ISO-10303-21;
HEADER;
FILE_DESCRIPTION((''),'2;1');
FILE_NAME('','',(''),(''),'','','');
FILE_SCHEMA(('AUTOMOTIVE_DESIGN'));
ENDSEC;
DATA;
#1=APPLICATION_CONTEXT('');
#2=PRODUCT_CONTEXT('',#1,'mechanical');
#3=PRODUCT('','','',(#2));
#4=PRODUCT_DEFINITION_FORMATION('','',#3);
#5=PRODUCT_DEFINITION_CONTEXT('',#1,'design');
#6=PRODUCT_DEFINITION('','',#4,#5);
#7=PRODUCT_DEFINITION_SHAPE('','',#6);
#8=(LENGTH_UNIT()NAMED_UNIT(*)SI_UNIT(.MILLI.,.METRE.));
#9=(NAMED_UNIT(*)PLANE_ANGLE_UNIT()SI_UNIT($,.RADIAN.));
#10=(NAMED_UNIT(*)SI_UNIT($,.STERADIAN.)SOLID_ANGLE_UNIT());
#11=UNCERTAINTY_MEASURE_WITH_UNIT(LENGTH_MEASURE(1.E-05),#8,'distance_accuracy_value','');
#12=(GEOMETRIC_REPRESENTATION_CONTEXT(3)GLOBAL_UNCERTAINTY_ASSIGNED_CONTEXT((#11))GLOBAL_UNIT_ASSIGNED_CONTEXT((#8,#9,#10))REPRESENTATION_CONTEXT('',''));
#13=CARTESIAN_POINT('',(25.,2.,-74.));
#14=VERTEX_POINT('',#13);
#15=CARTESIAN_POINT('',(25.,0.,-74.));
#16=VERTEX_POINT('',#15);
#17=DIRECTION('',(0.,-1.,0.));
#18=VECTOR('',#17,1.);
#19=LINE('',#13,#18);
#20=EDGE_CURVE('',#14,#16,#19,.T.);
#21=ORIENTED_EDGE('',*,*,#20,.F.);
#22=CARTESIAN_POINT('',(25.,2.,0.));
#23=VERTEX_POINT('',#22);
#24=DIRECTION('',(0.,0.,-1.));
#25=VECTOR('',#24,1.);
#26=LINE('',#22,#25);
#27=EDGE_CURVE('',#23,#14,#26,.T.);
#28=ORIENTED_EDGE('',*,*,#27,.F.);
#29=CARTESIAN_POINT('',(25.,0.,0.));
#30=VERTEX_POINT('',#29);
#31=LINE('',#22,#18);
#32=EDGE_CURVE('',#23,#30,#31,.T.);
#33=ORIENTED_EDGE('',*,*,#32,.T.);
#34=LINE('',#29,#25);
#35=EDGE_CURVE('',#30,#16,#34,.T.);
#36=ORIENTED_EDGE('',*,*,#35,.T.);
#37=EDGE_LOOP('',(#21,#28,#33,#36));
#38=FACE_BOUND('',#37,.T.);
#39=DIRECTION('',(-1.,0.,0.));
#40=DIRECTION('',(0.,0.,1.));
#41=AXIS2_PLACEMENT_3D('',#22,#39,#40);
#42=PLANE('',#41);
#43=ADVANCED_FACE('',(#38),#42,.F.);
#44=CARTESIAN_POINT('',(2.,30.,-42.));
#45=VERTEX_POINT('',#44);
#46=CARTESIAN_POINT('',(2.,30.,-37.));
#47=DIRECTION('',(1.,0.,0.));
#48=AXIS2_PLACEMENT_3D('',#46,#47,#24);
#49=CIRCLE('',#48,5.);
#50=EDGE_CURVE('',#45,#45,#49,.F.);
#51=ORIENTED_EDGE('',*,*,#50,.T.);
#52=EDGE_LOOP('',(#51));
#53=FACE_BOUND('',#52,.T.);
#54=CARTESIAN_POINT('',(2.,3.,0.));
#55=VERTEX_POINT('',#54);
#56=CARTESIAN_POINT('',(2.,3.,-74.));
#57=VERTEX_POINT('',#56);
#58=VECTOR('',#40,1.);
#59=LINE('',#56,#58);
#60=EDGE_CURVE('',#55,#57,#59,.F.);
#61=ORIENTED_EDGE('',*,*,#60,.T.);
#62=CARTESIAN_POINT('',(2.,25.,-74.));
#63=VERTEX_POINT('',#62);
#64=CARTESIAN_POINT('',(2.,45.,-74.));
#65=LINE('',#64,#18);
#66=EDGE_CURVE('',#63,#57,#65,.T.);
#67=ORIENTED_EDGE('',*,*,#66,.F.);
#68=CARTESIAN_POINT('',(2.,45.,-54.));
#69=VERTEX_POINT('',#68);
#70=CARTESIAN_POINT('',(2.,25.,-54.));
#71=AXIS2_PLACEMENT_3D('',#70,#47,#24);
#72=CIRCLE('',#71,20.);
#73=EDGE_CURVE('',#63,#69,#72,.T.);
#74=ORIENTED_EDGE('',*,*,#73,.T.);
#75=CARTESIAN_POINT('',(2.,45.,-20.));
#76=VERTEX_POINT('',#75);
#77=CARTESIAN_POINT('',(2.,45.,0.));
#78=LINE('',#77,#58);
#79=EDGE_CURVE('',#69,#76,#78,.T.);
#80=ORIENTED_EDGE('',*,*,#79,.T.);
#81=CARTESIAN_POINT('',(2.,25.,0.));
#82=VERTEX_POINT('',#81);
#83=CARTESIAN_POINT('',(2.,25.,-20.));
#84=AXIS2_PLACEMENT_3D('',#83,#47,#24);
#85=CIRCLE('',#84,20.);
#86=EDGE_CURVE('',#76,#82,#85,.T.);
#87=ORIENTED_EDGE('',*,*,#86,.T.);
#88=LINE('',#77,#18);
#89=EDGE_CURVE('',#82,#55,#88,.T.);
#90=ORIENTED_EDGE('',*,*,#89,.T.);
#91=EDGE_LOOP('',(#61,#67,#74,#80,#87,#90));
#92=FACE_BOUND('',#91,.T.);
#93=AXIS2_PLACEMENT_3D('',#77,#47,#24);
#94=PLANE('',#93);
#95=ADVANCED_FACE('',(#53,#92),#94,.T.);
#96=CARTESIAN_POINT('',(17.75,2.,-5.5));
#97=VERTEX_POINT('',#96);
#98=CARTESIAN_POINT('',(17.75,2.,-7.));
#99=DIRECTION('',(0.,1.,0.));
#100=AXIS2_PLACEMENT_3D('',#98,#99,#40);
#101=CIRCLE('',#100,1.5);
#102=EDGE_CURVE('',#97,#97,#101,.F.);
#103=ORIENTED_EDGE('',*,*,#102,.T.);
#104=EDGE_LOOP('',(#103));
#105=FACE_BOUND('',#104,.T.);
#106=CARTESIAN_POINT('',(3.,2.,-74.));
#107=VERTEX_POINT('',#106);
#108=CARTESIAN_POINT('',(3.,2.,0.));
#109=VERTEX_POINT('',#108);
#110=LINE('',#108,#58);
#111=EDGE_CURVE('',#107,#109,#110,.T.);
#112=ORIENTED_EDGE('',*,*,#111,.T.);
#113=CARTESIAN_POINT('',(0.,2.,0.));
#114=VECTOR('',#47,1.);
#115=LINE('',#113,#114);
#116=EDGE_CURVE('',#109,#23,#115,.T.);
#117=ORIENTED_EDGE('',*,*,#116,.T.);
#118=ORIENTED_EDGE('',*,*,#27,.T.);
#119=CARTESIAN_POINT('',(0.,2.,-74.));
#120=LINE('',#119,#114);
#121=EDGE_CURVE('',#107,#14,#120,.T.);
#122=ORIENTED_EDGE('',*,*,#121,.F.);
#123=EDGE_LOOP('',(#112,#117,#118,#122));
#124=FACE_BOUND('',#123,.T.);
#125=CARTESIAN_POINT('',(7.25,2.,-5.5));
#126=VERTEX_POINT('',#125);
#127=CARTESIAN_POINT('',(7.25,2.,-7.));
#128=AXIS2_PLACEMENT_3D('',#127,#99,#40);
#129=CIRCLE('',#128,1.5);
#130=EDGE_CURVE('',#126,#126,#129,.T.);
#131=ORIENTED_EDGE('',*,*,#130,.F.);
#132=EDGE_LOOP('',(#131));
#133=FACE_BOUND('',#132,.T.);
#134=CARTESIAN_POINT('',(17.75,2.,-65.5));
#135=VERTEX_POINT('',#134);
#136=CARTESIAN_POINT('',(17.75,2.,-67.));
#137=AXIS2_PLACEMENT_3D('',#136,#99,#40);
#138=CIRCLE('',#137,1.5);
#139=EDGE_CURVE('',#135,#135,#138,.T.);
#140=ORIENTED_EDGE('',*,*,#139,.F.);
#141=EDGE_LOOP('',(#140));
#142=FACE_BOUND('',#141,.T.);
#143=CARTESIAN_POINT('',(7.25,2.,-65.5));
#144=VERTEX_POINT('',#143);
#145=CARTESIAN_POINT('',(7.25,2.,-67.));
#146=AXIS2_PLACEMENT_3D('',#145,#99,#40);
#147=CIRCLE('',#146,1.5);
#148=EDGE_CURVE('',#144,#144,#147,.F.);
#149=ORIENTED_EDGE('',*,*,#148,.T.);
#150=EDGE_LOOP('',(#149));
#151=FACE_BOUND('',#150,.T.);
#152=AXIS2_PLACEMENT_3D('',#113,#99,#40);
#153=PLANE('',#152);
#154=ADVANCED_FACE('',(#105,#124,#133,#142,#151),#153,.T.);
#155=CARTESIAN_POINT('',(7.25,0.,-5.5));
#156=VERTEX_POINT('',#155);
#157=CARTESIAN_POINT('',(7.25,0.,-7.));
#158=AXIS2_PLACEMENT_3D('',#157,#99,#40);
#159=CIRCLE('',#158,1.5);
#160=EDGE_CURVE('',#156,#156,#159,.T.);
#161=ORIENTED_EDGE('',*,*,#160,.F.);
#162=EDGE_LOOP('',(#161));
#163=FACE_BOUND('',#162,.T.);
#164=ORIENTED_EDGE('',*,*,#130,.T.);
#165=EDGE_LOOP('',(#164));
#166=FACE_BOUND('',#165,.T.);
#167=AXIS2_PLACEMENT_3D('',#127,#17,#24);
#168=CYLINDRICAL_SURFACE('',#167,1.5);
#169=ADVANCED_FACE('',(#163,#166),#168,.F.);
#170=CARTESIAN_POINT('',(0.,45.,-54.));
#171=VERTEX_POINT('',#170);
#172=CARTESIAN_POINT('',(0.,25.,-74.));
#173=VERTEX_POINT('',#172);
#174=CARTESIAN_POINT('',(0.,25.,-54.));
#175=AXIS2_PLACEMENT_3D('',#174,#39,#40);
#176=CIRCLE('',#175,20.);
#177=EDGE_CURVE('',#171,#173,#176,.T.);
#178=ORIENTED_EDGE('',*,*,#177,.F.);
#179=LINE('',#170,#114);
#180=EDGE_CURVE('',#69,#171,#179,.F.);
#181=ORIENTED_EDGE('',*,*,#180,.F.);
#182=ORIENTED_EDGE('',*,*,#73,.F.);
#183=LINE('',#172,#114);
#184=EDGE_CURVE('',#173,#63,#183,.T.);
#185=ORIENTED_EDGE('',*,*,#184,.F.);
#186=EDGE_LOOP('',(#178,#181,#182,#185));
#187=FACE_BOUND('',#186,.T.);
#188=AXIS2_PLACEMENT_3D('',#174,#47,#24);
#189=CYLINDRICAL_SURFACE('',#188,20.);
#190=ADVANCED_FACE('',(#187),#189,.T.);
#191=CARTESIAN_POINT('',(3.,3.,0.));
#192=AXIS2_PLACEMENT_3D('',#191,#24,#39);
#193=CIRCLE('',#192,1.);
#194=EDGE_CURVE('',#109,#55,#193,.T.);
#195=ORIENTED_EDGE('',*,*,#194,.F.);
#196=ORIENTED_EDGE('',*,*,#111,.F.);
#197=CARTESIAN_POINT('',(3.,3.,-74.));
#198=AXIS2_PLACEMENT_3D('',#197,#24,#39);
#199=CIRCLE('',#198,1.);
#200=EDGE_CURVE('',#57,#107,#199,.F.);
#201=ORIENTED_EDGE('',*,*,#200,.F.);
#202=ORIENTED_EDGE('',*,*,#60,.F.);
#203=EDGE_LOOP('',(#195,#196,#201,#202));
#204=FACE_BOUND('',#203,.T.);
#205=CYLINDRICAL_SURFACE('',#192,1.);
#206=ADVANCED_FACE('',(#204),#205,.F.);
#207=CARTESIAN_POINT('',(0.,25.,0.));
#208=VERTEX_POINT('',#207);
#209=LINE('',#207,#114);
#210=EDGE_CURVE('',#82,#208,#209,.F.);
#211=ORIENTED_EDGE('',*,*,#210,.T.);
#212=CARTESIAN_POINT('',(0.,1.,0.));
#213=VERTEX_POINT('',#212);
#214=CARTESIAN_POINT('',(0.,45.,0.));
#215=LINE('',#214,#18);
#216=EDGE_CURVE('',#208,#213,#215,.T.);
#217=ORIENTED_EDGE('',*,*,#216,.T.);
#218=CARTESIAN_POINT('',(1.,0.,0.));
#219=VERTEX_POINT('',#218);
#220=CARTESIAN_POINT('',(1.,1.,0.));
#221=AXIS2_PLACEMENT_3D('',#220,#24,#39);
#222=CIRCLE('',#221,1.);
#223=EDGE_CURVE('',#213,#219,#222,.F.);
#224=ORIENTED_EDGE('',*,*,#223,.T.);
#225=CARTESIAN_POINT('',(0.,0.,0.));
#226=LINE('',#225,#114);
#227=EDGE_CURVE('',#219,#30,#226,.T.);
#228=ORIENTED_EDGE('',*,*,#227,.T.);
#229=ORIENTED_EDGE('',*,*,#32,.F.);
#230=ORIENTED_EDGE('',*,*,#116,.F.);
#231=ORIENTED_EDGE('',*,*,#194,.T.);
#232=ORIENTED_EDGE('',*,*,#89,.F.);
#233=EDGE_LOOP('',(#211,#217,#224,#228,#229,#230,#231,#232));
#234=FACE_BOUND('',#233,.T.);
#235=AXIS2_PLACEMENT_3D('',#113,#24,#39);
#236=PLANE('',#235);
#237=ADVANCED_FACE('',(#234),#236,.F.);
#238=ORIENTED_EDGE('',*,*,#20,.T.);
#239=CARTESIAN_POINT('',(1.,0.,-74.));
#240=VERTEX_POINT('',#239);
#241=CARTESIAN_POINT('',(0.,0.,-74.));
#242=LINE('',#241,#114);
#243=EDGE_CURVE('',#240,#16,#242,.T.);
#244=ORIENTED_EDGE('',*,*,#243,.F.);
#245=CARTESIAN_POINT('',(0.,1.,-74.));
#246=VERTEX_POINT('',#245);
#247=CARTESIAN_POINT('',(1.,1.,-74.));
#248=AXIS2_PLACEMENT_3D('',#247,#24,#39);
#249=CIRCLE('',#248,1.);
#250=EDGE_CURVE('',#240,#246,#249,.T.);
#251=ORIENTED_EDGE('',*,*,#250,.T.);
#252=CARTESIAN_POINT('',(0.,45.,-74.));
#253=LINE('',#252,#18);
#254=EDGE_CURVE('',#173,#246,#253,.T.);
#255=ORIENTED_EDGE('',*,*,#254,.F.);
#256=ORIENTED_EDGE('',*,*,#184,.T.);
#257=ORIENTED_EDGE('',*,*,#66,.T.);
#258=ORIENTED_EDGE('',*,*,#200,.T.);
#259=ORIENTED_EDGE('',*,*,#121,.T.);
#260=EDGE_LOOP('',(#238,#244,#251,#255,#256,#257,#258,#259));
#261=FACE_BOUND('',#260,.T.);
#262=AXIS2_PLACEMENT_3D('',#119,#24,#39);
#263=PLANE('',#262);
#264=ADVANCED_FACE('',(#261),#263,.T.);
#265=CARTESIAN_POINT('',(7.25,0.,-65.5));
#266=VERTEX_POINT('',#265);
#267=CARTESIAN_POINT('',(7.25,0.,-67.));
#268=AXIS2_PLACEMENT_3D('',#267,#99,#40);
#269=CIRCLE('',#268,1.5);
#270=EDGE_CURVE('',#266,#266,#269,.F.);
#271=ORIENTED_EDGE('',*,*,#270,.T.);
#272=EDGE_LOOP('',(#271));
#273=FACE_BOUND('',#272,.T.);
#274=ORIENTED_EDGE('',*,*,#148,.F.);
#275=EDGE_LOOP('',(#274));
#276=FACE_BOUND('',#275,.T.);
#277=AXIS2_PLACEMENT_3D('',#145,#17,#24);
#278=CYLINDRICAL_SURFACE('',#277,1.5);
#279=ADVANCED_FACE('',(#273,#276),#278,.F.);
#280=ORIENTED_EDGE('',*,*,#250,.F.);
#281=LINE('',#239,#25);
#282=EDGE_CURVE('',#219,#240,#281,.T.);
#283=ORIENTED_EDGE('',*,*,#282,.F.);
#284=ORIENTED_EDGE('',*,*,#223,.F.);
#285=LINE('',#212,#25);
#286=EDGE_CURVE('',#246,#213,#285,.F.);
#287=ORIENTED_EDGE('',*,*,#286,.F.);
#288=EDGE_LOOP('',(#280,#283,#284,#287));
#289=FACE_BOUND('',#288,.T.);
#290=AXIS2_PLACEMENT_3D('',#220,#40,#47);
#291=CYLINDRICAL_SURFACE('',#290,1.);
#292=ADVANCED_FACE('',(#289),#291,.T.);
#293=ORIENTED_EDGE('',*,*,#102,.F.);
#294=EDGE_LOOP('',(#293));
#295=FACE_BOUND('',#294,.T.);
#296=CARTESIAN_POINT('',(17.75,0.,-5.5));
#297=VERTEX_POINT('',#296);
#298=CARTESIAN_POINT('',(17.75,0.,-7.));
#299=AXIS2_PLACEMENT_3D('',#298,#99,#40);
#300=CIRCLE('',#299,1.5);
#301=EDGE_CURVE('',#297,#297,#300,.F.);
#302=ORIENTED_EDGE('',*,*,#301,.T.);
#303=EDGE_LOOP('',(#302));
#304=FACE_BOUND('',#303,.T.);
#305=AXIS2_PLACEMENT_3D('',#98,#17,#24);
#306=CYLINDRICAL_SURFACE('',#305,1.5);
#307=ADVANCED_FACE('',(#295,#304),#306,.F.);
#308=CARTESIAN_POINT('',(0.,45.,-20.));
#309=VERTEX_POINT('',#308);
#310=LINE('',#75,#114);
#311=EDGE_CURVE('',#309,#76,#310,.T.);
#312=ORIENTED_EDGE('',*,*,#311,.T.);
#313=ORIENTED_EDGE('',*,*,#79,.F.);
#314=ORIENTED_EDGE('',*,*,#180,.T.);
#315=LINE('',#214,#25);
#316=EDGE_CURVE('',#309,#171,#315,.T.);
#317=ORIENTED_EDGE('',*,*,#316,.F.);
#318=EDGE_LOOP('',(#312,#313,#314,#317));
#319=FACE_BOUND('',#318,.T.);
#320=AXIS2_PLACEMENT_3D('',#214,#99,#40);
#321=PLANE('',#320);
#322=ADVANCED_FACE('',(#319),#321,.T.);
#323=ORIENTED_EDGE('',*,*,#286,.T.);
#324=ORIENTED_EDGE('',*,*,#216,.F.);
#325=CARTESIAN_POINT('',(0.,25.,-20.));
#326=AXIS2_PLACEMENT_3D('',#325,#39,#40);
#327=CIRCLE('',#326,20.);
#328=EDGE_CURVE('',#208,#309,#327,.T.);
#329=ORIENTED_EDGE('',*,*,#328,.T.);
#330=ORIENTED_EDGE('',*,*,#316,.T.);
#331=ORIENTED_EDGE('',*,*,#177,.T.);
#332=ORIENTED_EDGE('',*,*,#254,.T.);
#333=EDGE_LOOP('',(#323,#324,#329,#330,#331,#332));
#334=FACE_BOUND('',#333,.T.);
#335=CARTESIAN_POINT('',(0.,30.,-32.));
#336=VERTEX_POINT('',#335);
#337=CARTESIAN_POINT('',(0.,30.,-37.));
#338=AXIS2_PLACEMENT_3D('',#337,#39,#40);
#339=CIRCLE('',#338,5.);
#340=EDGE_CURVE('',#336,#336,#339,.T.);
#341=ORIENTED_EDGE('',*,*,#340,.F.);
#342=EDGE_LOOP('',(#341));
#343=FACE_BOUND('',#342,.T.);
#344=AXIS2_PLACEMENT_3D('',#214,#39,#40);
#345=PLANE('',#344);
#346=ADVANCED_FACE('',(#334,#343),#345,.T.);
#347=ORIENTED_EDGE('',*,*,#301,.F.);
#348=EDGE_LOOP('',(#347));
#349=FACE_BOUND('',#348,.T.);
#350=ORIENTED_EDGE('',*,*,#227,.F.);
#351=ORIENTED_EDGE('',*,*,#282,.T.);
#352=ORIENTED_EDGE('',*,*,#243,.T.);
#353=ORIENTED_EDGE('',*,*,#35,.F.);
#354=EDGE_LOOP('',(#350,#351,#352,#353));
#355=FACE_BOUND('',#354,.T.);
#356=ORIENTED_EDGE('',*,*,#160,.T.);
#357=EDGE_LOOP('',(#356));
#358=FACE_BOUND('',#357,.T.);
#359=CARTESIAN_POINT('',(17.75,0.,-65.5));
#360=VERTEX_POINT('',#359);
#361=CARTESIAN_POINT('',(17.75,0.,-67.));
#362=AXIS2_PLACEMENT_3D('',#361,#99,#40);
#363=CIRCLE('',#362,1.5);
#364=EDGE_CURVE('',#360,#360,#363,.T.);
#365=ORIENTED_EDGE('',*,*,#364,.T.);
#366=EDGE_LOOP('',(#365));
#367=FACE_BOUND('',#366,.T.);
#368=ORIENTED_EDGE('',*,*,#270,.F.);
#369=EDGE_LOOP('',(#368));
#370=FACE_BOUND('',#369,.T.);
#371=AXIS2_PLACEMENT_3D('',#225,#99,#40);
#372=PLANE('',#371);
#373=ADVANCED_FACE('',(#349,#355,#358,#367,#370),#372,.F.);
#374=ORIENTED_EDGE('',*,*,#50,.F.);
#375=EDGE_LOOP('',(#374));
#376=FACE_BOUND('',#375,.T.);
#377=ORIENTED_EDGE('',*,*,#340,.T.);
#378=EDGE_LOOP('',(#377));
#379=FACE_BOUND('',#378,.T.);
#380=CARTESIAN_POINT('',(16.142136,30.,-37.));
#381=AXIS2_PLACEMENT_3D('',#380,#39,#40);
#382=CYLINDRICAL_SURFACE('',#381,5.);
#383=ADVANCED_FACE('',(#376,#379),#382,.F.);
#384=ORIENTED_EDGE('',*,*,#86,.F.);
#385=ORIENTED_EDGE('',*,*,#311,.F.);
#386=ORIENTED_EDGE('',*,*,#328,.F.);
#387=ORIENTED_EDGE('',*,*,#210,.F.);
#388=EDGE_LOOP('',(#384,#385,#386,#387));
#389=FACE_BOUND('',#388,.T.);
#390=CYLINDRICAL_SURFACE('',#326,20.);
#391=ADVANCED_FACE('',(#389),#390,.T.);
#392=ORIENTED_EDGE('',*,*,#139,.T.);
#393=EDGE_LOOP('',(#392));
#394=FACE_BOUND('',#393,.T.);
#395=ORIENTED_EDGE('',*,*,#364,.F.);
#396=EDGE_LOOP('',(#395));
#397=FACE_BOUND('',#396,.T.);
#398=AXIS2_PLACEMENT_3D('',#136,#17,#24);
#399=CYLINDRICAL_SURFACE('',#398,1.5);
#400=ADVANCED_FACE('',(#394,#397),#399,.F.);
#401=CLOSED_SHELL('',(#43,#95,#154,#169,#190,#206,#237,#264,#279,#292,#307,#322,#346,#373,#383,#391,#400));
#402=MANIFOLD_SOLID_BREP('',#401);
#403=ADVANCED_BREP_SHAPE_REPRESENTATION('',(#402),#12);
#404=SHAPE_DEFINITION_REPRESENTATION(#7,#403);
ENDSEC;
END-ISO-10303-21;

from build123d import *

# Parameters (mm, degrees)
SKETCH1_W           = 23
SKETCH1_H           = 74
SKETCH1_R           = 1.5
BOSS_EXTRUDE1_DEPTH = 2
SKETCH1_3_W         = 2
SKETCH1_3_H         = 74
BOSS_EXTRUDE2_DEPTH = 45
FILLET1_R           = 1
FILLET2_R           = 20
SKETCH2_R           = 5
CUT_EXTRUDE1_DEPTH  = 2


with BuildPart() as part:
    # Sketch1 → Boss-Extrude1 (new body)
    with BuildSketch(Plane(origin=(0, 0, 0), x_dir=(1, 0, 0), z_dir=(0, 1, 0))):
        with Locations((13.5, 37)):
            Rectangle(SKETCH1_W, SKETCH1_H)
        with Locations((7.25, 7)):
            Circle(SKETCH1_R, mode=Mode.SUBTRACT)
        with Locations((17.75, 7)):
            Circle(SKETCH1_R, mode=Mode.SUBTRACT)
        with Locations((7.25, 67)):
            Circle(SKETCH1_R, mode=Mode.SUBTRACT)
        with Locations((17.75, 67)):
            Circle(SKETCH1_R, mode=Mode.SUBTRACT)
    extrude(amount=BOSS_EXTRUDE1_DEPTH)

    # Sketch1<3> → Boss-Extrude2 (add)
    with BuildSketch(Plane(origin=(0, 0, 0), x_dir=(1, 0, 0), z_dir=(0, 1, 0))):
        with Locations((1, 37)):
            Rectangle(SKETCH1_3_W, SKETCH1_3_H)
    extrude(amount=BOSS_EXTRUDE2_DEPTH)

    # Fillet1
    fillet1_edges = [part.edges().sort_by_distance(p)[0] for p in [
        (0, 0, -37),
        (2, 2, -37),
    ]]
    fillet(fillet1_edges, radius=FILLET1_R)

    # Fillet2
    fillet2_edges = [part.edges().sort_by_distance(p)[0] for p in [
        (1, 45, -74),
        (1, 45, 0),
    ]]
    fillet(fillet2_edges, radius=FILLET2_R)

    # Sketch2 → Cut-Extrude1 (cut)
    with BuildSketch(Plane.ZY):
        with Locations((-37, 30)):
            Circle(SKETCH2_R)
    extrude(amount=-CUT_EXTRUDE1_DEPTH, mode=Mode.SUBTRACT)


solid = part.part
